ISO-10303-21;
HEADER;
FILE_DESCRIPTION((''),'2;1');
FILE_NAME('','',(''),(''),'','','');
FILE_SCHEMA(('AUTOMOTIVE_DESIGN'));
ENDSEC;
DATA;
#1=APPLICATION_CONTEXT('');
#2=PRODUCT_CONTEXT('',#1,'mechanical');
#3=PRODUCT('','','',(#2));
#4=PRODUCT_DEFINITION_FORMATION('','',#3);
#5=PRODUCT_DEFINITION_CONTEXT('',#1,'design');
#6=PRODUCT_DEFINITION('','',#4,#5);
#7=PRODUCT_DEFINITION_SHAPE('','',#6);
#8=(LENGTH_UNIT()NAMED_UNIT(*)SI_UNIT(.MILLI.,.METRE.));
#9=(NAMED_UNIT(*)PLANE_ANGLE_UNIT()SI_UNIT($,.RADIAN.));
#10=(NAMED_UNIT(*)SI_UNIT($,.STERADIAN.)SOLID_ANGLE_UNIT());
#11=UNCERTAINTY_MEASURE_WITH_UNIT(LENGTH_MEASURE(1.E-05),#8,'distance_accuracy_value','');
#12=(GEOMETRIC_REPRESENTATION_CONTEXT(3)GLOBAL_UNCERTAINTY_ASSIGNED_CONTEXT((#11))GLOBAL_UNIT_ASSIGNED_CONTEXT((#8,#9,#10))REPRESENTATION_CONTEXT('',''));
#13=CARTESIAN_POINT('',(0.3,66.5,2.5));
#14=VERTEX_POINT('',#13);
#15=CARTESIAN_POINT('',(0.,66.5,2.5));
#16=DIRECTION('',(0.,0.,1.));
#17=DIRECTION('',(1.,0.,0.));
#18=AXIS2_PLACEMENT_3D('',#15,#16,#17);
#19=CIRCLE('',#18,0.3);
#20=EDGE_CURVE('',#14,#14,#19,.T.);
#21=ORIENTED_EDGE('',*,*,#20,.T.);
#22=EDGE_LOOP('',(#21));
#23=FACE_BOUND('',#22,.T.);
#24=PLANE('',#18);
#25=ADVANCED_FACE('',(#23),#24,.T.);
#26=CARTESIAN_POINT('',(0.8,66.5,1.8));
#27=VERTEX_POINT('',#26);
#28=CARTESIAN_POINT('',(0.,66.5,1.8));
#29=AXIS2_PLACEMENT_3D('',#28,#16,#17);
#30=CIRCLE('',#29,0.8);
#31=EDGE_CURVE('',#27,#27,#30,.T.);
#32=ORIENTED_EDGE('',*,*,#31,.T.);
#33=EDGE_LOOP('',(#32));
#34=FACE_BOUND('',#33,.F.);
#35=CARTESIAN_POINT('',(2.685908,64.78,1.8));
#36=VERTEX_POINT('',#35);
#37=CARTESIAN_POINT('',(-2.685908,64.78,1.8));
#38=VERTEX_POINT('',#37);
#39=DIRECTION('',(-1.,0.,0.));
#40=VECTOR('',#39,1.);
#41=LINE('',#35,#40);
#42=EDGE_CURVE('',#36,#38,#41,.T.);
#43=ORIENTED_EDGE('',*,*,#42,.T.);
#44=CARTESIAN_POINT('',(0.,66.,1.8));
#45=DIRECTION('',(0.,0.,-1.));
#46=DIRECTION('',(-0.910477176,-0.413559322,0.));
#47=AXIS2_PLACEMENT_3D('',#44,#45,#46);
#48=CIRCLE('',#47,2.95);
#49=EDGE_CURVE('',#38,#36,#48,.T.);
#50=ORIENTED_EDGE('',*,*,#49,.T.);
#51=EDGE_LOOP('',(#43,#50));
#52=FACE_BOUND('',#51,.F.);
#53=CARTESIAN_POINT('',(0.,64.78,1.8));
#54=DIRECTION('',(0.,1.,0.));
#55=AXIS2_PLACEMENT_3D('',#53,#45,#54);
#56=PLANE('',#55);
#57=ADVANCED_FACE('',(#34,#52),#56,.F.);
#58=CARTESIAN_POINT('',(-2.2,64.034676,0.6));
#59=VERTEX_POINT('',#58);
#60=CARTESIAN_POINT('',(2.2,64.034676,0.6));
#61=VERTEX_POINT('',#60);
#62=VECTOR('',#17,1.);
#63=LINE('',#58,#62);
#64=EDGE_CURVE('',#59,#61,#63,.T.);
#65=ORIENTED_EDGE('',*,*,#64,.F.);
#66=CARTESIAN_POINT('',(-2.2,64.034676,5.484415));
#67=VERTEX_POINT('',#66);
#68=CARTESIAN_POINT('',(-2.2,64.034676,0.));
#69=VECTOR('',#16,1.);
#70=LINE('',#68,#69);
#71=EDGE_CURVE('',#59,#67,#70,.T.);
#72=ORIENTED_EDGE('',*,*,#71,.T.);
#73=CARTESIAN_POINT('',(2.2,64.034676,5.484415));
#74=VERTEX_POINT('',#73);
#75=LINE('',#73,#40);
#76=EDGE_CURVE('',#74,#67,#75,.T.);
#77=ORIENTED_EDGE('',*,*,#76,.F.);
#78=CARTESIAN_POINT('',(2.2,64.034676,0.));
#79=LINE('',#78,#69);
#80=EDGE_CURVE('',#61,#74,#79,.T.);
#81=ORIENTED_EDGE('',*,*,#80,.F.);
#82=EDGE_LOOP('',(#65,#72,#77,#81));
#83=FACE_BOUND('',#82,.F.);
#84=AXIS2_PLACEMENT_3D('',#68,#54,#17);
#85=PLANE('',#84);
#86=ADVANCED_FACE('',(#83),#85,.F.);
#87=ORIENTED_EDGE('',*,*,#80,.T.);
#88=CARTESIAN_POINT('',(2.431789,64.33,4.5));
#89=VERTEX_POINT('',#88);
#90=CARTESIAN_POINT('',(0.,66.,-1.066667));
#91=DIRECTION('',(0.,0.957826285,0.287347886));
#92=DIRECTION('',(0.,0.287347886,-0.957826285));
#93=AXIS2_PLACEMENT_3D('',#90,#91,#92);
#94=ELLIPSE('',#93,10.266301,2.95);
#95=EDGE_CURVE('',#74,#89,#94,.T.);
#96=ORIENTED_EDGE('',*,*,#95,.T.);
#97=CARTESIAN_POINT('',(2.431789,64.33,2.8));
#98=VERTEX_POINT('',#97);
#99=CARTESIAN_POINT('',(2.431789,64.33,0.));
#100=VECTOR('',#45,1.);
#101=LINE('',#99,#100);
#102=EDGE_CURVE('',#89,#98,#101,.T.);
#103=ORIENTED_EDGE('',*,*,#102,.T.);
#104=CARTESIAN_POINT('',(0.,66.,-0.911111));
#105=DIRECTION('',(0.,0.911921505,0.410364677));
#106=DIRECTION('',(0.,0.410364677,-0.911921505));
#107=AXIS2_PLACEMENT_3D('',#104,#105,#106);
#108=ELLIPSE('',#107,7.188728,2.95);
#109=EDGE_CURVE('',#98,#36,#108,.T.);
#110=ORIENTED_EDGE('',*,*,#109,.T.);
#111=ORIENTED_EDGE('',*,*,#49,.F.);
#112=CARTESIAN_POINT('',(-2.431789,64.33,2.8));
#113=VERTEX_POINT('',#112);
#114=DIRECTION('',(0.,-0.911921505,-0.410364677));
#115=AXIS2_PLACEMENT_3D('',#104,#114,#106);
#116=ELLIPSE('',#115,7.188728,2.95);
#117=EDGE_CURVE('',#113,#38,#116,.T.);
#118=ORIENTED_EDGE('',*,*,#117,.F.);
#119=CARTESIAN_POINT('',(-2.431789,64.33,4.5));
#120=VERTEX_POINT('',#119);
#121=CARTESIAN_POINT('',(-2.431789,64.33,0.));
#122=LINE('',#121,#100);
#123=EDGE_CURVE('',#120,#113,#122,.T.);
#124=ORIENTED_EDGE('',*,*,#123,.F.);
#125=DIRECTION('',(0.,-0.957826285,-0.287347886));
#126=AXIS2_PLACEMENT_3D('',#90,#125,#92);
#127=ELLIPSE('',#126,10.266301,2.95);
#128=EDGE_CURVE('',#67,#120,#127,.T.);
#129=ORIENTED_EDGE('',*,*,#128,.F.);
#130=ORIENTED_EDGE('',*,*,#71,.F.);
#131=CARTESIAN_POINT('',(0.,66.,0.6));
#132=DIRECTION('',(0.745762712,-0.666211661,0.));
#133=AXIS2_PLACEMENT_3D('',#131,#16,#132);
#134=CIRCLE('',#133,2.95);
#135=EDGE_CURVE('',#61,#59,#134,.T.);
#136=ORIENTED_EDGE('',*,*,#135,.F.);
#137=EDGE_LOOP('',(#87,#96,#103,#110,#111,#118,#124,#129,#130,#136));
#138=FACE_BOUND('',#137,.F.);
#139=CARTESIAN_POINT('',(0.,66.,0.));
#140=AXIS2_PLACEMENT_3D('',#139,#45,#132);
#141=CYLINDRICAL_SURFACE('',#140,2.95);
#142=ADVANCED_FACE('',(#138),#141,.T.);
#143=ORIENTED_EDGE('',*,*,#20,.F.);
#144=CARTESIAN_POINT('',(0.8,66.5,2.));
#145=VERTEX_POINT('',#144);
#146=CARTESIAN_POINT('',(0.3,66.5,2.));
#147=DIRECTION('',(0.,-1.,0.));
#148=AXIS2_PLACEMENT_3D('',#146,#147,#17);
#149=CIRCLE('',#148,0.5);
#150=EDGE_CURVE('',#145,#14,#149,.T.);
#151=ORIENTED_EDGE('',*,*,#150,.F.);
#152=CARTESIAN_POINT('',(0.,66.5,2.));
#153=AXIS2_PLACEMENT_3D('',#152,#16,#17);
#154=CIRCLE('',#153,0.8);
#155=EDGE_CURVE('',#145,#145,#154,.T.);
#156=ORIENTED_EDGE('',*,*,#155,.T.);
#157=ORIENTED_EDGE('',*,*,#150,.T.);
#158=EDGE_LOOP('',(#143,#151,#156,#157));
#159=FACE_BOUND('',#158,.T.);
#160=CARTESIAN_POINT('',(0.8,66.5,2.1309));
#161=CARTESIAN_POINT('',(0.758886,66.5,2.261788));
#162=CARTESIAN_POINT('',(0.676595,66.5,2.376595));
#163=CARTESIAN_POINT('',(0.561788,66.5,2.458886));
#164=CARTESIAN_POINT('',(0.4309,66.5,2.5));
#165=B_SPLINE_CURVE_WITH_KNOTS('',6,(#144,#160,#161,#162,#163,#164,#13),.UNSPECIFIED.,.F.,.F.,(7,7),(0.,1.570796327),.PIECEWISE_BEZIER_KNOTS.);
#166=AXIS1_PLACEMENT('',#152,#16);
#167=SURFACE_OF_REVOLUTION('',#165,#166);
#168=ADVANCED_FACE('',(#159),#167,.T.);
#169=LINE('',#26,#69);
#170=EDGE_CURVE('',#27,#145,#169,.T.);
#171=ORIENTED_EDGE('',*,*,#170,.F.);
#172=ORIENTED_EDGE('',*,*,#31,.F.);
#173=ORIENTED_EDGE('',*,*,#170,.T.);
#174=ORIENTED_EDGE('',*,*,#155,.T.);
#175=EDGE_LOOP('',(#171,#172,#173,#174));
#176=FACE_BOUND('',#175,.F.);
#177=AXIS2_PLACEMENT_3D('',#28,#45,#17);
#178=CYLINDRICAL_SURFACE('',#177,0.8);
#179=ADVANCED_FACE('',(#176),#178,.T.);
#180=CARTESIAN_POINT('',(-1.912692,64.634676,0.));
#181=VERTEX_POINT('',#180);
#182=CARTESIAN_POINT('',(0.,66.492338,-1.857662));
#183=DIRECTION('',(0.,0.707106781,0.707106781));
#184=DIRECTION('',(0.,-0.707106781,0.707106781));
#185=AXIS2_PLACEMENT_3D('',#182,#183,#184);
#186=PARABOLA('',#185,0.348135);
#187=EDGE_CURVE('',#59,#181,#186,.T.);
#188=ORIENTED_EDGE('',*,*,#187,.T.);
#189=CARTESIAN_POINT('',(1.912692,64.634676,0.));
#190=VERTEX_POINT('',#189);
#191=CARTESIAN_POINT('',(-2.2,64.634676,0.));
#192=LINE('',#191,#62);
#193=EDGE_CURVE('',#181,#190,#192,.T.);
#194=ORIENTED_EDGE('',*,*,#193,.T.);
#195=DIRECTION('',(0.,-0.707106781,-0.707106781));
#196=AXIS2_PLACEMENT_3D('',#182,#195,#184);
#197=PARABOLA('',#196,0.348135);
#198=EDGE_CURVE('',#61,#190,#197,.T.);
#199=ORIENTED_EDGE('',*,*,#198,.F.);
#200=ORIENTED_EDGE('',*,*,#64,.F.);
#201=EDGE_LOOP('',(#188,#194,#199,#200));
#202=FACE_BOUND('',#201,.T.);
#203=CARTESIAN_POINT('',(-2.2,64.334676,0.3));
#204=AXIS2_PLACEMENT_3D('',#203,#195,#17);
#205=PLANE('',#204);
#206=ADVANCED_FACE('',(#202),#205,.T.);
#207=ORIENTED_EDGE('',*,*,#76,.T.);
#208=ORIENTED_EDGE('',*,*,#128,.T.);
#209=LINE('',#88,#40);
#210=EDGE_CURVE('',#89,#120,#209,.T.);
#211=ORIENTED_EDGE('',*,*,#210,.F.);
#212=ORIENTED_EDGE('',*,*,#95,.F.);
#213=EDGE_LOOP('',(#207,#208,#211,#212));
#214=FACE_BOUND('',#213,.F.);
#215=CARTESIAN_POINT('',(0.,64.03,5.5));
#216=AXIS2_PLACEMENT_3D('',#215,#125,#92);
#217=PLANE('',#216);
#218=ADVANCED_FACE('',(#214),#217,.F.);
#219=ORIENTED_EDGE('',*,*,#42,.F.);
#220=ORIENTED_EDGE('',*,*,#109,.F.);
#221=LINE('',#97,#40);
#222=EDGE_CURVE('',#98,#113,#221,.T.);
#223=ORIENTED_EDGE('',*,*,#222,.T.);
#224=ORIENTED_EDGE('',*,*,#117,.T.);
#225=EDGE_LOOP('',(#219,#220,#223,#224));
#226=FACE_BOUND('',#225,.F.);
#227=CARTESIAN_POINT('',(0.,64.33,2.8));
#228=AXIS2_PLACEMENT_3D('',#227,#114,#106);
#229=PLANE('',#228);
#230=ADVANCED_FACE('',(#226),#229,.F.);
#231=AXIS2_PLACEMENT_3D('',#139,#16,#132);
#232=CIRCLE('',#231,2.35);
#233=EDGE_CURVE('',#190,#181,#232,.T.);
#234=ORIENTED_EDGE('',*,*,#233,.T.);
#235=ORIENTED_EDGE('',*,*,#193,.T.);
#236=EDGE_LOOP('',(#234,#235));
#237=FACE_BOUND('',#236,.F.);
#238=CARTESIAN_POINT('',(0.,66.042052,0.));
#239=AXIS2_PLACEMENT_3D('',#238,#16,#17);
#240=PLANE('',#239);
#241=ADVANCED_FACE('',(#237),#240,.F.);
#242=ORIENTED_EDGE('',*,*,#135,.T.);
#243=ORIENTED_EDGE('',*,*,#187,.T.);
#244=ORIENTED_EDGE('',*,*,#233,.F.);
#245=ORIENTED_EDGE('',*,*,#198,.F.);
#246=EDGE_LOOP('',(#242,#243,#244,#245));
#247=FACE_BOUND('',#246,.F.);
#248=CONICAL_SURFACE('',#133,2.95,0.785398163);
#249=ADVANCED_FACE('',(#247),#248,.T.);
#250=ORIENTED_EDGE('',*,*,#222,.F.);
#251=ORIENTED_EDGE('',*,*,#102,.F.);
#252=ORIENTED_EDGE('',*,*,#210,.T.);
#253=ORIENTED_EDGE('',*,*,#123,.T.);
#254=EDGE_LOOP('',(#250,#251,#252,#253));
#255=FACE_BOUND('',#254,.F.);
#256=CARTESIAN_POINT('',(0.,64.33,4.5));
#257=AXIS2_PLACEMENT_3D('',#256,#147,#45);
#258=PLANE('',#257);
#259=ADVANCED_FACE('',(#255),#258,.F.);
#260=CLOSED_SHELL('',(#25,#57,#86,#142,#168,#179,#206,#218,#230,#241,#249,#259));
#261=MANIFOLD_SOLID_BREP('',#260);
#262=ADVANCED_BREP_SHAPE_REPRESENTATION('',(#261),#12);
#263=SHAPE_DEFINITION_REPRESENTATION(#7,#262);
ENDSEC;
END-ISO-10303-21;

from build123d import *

# Parameters (mm, degrees)
PAD003_DEPTH         = 5.5
POCKET004_DEPTH      = 2.951
POCKET004_DEPTH_BACK = 2.951
SKETCH013_R          = 0.8
PAD006_DEPTH         = 0.7
FILLET_R             = 0.5
CHAMFER004_SIZE      = 0.6


with BuildPart() as part:
    # Sketch004 → Pad003 (new body)
    with BuildSketch(Plane.XY):
        with BuildLine():
            ThreePointArc((2.2, -1.9653244007), (0, 2.95), (-2.2, -1.9653244007))
            Line((-2.2, -1.9653244007), (2.2, -1.9653244007))
        make_face()
    extrude(amount=PAD003_DEPTH)

    # Sketch014 → Pocket004 (cut, two sides)
    with BuildSketch(Plane.YZ) as pocket004_sk:
        Polygon((-1.97, 5.5), (-1.67, 4.5), (-1.67, 2.8), (-1.22, 1.8), (4, 1.8), (4, 5.5), align=None)
    extrude(amount=-POCKET004_DEPTH, mode=Mode.SUBTRACT)
    extrude(pocket004_sk.sketch, amount=POCKET004_DEPTH_BACK, mode=Mode.SUBTRACT)

    # Sketch013 (on Face7 of Pocket004) → Pad006 (join)
    with BuildSketch(Plane.XY.offset(1.8)):
        with Locations((0, 0.5)):
            Circle(SKETCH013_R)
    extrude(amount=PAD006_DEPTH)

    # Fillet
    fillet_edges = [part.edges().sort_by_distance(p)[0] for p in [
        (-0.8, 0.5, 2.5),
    ]]
    fillet(fillet_edges, radius=FILLET_R)

    # Chamfer004
    chamfer004_edges = [part.edges().sort_by_distance(p)[0] for p in [
        (0, 2.95, 0),
        (0, -1.965324, 0),
    ]]
    chamfer(chamfer004_edges, length=CHAMFER004_SIZE)


with BuildPart() as part_1:
    # Body030 placement: moved
    add(part.part.moved(Location((0, 66, 0))))


solid = part_1.part
